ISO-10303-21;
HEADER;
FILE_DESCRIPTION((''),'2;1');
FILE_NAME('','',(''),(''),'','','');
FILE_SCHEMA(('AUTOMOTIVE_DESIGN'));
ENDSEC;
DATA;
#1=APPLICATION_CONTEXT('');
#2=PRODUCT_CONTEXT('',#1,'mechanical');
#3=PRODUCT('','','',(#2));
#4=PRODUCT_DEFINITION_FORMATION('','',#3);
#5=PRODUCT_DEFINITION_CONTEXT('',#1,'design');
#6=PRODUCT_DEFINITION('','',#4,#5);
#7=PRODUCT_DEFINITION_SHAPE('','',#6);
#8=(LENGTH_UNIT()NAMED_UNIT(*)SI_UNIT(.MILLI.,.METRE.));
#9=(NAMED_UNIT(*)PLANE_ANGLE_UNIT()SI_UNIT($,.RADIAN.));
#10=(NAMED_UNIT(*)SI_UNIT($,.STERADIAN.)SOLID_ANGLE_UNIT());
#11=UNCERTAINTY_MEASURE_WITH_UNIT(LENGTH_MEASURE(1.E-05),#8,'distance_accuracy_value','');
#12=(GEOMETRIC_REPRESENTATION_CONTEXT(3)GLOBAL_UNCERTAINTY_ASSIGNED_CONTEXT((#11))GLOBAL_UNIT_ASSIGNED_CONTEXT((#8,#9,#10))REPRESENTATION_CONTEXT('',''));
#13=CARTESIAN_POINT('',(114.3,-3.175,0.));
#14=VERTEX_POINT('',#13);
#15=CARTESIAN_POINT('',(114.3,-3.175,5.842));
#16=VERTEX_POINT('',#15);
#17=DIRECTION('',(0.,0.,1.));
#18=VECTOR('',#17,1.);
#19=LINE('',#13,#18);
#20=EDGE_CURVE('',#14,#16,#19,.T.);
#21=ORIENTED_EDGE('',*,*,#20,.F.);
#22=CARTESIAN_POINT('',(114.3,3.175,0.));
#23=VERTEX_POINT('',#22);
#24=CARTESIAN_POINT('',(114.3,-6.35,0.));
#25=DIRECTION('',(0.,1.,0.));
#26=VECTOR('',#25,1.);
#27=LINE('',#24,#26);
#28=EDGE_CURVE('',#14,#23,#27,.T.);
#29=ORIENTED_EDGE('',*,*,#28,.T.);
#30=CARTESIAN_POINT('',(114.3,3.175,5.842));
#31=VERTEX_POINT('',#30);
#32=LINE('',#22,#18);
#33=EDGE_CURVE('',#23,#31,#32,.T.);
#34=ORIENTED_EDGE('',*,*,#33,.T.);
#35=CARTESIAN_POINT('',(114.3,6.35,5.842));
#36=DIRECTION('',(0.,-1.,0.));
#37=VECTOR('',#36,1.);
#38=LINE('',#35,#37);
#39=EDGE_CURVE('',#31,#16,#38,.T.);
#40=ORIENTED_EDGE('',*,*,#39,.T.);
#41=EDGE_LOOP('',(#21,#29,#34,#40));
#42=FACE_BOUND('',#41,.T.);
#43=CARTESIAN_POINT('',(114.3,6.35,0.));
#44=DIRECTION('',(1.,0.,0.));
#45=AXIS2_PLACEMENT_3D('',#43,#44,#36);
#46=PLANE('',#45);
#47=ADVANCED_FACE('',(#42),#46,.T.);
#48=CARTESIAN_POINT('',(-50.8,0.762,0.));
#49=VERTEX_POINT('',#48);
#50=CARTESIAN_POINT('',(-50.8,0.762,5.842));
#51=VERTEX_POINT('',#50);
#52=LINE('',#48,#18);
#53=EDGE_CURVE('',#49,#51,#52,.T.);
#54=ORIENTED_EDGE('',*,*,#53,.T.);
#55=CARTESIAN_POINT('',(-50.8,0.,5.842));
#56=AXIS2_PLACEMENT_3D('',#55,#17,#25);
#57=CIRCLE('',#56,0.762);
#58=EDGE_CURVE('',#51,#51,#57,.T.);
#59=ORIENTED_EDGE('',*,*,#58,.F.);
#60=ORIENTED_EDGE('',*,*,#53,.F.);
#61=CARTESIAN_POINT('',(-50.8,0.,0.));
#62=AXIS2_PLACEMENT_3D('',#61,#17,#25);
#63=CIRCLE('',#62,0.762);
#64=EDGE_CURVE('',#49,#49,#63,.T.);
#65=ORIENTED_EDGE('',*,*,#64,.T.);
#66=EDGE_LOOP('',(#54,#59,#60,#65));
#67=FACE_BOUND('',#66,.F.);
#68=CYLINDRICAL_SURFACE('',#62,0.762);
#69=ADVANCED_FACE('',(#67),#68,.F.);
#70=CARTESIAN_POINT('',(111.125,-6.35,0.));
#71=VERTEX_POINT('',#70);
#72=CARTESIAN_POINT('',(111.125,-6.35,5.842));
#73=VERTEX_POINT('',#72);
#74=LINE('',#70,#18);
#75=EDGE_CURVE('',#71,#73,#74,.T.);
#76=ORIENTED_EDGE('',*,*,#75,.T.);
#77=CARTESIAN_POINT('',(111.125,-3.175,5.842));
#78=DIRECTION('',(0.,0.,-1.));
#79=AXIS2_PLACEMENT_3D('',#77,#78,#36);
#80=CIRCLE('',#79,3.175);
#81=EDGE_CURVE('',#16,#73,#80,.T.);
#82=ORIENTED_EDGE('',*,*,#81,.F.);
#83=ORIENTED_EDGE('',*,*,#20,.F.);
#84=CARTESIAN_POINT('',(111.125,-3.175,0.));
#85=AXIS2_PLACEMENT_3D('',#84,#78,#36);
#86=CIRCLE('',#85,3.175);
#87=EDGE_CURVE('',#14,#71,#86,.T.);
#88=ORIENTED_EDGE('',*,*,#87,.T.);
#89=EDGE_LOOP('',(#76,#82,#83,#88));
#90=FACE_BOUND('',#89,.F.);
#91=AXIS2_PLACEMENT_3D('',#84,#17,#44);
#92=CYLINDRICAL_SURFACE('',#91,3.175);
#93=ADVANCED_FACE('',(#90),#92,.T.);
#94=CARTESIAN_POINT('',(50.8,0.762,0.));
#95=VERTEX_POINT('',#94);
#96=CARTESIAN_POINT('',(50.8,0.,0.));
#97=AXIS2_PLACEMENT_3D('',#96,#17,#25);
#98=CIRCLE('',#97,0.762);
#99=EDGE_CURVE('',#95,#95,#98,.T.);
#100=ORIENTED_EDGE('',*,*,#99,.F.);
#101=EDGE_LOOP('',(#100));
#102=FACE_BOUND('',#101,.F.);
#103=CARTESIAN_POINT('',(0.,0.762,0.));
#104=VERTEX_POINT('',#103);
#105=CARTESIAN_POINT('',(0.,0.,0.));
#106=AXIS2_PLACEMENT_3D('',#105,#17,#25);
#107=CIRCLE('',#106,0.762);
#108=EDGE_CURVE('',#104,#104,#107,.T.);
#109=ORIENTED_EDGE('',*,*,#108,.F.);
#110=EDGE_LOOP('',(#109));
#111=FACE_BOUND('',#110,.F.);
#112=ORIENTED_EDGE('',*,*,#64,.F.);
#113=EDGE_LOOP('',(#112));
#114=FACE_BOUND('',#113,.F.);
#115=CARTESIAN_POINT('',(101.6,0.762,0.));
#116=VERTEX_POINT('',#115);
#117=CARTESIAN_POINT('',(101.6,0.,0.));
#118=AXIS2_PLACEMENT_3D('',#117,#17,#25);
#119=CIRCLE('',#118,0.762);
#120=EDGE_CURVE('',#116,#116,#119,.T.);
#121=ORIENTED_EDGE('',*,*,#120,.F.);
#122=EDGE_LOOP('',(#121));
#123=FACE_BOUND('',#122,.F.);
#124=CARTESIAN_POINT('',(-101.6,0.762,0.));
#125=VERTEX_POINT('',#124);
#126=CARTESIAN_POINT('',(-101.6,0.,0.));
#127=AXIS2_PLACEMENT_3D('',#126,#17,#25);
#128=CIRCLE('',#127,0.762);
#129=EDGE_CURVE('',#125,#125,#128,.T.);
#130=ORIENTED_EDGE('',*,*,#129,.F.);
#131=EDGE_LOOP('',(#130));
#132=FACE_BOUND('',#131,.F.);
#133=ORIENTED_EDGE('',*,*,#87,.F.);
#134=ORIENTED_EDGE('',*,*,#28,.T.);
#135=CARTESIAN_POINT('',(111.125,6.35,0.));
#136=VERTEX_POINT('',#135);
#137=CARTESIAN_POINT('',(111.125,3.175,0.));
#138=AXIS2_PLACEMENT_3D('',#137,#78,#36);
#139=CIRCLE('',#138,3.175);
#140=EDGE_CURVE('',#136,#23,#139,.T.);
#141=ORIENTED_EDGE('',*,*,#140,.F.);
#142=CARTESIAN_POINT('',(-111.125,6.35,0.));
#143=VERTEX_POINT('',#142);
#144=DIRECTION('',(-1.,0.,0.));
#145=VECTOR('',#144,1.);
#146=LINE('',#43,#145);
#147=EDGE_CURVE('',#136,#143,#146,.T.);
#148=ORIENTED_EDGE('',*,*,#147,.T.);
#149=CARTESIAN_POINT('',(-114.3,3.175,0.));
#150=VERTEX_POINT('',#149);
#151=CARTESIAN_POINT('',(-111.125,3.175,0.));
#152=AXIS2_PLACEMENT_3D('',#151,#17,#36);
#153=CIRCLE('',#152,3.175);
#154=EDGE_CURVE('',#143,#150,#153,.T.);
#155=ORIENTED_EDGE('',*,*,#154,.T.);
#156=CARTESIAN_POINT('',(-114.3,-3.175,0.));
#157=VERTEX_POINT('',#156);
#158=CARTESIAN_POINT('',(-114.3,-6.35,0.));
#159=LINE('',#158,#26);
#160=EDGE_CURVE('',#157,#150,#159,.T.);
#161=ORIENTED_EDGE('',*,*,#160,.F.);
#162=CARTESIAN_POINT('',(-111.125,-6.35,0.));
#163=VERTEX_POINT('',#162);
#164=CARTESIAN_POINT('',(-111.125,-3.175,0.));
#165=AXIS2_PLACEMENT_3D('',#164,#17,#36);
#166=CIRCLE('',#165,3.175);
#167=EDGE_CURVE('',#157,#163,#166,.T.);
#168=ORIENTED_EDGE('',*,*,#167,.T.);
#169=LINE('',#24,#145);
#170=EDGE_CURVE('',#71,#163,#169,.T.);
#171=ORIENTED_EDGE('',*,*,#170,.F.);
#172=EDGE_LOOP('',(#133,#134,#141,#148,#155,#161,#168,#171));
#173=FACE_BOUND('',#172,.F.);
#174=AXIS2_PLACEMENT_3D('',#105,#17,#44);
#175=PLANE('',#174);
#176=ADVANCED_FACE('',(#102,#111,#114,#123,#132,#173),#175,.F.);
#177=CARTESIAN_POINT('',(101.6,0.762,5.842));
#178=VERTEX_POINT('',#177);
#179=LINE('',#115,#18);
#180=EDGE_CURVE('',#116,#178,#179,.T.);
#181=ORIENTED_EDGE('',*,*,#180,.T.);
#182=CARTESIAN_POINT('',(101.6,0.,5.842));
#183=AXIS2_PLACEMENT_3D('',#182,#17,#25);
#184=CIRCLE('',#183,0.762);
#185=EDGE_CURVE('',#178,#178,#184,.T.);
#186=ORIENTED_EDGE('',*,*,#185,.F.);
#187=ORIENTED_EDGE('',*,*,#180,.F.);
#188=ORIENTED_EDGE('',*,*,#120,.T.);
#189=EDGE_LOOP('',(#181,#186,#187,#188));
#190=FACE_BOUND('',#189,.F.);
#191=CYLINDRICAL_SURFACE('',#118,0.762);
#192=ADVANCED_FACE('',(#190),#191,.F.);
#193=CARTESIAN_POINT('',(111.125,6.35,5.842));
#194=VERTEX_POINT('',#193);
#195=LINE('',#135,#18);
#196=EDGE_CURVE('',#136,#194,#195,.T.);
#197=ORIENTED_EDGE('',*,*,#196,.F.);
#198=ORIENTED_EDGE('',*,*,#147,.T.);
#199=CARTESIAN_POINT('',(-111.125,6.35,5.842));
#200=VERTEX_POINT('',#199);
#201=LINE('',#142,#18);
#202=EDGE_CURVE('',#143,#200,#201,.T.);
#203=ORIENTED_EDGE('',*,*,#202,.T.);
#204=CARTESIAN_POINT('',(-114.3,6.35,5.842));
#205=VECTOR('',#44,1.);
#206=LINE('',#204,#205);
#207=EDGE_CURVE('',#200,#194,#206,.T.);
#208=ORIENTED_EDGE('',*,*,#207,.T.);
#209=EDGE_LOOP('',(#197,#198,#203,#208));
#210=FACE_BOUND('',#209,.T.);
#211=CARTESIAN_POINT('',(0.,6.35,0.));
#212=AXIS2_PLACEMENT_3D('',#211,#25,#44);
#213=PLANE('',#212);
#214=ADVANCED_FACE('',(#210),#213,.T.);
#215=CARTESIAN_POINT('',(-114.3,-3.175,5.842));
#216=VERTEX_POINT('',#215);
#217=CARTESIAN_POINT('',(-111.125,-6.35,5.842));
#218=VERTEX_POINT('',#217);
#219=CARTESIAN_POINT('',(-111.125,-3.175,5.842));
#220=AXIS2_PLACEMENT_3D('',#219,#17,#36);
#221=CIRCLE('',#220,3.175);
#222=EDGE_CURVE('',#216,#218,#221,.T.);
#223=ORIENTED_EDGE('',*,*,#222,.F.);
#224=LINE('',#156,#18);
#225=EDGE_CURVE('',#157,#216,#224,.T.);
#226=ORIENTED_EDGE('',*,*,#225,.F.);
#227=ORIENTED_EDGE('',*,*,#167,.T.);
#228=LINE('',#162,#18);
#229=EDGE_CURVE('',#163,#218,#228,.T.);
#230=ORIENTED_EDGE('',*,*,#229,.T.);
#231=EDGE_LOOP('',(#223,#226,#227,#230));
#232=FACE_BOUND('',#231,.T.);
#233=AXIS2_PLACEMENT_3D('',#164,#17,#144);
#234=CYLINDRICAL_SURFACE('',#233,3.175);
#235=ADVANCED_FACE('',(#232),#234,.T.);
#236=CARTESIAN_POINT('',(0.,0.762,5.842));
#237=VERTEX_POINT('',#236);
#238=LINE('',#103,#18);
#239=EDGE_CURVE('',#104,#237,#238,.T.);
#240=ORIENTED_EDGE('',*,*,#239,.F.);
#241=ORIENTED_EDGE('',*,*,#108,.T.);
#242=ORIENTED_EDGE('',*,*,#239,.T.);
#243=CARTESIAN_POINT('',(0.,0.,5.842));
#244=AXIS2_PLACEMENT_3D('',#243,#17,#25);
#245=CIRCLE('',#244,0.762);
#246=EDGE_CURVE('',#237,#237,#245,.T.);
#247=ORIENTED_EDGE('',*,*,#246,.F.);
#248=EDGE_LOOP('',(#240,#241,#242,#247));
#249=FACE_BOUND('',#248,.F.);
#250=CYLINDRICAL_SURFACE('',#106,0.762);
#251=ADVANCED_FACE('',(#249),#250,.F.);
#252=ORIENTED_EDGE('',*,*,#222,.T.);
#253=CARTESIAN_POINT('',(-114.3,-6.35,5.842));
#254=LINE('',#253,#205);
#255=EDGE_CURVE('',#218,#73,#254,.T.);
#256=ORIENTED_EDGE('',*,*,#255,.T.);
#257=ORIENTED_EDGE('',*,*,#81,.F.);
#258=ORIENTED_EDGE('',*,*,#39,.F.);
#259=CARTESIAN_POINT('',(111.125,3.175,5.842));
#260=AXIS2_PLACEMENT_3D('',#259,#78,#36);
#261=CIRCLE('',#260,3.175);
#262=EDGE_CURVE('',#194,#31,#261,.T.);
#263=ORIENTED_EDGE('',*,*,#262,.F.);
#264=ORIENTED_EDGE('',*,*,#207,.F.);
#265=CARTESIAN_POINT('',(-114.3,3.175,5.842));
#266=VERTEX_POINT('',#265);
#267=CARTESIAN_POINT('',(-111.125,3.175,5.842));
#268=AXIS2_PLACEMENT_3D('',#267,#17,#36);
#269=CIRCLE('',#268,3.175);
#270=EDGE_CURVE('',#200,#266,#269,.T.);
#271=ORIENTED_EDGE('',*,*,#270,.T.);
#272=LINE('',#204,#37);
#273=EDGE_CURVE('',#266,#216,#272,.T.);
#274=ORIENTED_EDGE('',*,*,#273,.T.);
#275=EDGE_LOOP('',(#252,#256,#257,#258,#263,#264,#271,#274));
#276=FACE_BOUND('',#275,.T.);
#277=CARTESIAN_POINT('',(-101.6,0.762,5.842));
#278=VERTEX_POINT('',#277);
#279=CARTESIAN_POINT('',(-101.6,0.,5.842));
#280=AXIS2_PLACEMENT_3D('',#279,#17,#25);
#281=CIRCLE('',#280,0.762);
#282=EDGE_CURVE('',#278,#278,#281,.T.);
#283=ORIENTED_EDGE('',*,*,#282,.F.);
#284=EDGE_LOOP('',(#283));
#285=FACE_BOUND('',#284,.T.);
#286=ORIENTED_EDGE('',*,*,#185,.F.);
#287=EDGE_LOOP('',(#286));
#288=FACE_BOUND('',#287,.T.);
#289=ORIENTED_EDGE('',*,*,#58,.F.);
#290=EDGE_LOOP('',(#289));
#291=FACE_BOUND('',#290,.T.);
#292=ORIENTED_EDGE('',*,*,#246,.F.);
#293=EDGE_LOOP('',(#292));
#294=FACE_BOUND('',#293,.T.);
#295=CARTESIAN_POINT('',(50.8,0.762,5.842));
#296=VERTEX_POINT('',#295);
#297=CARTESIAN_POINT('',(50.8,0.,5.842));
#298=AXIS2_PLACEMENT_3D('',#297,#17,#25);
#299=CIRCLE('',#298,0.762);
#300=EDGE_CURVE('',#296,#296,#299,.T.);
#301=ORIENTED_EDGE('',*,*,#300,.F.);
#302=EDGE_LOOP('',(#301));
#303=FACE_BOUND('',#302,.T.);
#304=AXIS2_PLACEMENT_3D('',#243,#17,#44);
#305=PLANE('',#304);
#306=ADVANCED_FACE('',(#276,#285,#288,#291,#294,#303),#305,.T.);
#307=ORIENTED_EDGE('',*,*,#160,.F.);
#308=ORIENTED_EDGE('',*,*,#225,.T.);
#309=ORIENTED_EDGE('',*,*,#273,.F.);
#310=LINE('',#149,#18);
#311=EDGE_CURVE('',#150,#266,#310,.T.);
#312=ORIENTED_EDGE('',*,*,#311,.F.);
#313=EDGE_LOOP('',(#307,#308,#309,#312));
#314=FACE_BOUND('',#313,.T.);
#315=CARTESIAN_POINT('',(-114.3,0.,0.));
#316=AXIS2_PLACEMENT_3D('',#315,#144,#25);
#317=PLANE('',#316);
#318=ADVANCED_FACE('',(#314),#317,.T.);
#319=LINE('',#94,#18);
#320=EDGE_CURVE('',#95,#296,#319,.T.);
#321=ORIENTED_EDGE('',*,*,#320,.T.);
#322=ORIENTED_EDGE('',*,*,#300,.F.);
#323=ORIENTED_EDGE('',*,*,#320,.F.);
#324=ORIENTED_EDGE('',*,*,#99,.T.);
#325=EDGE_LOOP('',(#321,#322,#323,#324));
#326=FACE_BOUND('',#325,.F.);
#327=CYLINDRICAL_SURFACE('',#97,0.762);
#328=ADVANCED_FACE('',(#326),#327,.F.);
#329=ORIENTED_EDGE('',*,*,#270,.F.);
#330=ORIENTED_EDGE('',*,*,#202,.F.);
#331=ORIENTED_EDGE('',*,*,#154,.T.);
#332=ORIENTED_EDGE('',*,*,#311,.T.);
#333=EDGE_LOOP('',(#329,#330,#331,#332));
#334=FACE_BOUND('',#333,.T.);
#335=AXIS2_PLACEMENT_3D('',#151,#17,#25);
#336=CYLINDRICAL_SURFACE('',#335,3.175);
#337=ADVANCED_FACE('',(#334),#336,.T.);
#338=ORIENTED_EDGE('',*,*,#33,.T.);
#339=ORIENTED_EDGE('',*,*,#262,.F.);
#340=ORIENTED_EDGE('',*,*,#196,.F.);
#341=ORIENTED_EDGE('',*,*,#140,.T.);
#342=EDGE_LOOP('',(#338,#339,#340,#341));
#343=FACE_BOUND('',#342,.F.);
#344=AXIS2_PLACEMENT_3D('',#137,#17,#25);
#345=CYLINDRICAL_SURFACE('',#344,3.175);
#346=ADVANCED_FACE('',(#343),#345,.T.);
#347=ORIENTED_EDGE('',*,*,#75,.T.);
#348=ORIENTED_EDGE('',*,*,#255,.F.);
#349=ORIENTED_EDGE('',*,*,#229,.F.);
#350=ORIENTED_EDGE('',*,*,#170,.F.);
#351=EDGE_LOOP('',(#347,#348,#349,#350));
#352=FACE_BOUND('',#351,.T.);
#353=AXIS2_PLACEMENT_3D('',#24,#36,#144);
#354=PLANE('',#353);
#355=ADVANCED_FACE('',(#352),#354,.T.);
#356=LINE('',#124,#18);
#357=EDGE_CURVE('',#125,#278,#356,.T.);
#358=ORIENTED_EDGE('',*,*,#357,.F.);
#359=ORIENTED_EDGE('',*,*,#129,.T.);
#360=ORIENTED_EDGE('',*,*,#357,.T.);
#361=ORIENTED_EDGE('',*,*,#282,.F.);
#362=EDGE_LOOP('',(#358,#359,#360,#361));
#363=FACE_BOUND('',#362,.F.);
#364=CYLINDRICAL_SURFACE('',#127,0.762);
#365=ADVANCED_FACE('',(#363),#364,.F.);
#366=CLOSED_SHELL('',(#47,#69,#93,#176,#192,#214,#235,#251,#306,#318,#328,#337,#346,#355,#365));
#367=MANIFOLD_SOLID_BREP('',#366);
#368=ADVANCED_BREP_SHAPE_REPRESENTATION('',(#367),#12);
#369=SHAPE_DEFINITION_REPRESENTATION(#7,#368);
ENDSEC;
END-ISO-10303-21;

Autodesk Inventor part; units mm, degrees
ref_plane "YZ Plane" through (0, 0, 0) normal (1, 0, 0) x (0, 1, 0)
ref_plane "XZ Plane" through (0, 0, 0) normal (0, 1, 0) x (-1, 0, 0)
ref_plane "XY Plane" through (0, 0, 0) normal (0, 0, 1) x (1, 0, 0)
sketch "Sketch1" plane through (0, 0, 0) normal (0, 0, 1) x (1, 0, 0)
  line L0 (0, 8.89) -> (0, -8.89) projected
  line L1 (-160.02, 0) -> (160.02, 0) projected
  line L2 (114.3, -6.35) -> (-114.3, -6.35)
  line L3 (-114.3, -6.35) -> (-114.3, 6.35)
  line L4 (-114.3, 6.35) -> (114.3, 6.35)
  line L5 (114.3, 6.35) -> (114.3, -6.35)
  line L6 (114.3, -6.35) -> (-114.3, 6.35) construction
  line L7 (-114.3, -6.35) -> (114.3, 6.35) construction
  point P0 (0, 0)
  point P1 (-101.6, 0)
  point P2 (101.6, 0)
  point P3 (0, 0)
  point P4 (-50.8, 0)
  point P5 (50.8, 0)
  dimension "d0" = 228.6
  dimension "d1" = 12.7
  dimension "d2" = 101.6
  dimension "d3" = 101.6
  dimension "d14" = 50.8
  dimension "d15" = 50.8
extrude "Extrusion1" add sketch "Sketch1" along normal blind 5.842
hole "Hole1" at (-101.6, 0, 0) at (101.6, 0, 0) at (0, 0, 0) at (50.8, 0, 0) at (-50.8, 0, 0) direction (0, 0, 1) diameter 1.524 end through all
fillet "Fillet1" radius 3.175 4 edges at (114.3, -6.35, 2.921) (114.3, 6.35, 2.921) (-114.3, -6.35, 2.921) (-114.3, 6.35, 2.921)
